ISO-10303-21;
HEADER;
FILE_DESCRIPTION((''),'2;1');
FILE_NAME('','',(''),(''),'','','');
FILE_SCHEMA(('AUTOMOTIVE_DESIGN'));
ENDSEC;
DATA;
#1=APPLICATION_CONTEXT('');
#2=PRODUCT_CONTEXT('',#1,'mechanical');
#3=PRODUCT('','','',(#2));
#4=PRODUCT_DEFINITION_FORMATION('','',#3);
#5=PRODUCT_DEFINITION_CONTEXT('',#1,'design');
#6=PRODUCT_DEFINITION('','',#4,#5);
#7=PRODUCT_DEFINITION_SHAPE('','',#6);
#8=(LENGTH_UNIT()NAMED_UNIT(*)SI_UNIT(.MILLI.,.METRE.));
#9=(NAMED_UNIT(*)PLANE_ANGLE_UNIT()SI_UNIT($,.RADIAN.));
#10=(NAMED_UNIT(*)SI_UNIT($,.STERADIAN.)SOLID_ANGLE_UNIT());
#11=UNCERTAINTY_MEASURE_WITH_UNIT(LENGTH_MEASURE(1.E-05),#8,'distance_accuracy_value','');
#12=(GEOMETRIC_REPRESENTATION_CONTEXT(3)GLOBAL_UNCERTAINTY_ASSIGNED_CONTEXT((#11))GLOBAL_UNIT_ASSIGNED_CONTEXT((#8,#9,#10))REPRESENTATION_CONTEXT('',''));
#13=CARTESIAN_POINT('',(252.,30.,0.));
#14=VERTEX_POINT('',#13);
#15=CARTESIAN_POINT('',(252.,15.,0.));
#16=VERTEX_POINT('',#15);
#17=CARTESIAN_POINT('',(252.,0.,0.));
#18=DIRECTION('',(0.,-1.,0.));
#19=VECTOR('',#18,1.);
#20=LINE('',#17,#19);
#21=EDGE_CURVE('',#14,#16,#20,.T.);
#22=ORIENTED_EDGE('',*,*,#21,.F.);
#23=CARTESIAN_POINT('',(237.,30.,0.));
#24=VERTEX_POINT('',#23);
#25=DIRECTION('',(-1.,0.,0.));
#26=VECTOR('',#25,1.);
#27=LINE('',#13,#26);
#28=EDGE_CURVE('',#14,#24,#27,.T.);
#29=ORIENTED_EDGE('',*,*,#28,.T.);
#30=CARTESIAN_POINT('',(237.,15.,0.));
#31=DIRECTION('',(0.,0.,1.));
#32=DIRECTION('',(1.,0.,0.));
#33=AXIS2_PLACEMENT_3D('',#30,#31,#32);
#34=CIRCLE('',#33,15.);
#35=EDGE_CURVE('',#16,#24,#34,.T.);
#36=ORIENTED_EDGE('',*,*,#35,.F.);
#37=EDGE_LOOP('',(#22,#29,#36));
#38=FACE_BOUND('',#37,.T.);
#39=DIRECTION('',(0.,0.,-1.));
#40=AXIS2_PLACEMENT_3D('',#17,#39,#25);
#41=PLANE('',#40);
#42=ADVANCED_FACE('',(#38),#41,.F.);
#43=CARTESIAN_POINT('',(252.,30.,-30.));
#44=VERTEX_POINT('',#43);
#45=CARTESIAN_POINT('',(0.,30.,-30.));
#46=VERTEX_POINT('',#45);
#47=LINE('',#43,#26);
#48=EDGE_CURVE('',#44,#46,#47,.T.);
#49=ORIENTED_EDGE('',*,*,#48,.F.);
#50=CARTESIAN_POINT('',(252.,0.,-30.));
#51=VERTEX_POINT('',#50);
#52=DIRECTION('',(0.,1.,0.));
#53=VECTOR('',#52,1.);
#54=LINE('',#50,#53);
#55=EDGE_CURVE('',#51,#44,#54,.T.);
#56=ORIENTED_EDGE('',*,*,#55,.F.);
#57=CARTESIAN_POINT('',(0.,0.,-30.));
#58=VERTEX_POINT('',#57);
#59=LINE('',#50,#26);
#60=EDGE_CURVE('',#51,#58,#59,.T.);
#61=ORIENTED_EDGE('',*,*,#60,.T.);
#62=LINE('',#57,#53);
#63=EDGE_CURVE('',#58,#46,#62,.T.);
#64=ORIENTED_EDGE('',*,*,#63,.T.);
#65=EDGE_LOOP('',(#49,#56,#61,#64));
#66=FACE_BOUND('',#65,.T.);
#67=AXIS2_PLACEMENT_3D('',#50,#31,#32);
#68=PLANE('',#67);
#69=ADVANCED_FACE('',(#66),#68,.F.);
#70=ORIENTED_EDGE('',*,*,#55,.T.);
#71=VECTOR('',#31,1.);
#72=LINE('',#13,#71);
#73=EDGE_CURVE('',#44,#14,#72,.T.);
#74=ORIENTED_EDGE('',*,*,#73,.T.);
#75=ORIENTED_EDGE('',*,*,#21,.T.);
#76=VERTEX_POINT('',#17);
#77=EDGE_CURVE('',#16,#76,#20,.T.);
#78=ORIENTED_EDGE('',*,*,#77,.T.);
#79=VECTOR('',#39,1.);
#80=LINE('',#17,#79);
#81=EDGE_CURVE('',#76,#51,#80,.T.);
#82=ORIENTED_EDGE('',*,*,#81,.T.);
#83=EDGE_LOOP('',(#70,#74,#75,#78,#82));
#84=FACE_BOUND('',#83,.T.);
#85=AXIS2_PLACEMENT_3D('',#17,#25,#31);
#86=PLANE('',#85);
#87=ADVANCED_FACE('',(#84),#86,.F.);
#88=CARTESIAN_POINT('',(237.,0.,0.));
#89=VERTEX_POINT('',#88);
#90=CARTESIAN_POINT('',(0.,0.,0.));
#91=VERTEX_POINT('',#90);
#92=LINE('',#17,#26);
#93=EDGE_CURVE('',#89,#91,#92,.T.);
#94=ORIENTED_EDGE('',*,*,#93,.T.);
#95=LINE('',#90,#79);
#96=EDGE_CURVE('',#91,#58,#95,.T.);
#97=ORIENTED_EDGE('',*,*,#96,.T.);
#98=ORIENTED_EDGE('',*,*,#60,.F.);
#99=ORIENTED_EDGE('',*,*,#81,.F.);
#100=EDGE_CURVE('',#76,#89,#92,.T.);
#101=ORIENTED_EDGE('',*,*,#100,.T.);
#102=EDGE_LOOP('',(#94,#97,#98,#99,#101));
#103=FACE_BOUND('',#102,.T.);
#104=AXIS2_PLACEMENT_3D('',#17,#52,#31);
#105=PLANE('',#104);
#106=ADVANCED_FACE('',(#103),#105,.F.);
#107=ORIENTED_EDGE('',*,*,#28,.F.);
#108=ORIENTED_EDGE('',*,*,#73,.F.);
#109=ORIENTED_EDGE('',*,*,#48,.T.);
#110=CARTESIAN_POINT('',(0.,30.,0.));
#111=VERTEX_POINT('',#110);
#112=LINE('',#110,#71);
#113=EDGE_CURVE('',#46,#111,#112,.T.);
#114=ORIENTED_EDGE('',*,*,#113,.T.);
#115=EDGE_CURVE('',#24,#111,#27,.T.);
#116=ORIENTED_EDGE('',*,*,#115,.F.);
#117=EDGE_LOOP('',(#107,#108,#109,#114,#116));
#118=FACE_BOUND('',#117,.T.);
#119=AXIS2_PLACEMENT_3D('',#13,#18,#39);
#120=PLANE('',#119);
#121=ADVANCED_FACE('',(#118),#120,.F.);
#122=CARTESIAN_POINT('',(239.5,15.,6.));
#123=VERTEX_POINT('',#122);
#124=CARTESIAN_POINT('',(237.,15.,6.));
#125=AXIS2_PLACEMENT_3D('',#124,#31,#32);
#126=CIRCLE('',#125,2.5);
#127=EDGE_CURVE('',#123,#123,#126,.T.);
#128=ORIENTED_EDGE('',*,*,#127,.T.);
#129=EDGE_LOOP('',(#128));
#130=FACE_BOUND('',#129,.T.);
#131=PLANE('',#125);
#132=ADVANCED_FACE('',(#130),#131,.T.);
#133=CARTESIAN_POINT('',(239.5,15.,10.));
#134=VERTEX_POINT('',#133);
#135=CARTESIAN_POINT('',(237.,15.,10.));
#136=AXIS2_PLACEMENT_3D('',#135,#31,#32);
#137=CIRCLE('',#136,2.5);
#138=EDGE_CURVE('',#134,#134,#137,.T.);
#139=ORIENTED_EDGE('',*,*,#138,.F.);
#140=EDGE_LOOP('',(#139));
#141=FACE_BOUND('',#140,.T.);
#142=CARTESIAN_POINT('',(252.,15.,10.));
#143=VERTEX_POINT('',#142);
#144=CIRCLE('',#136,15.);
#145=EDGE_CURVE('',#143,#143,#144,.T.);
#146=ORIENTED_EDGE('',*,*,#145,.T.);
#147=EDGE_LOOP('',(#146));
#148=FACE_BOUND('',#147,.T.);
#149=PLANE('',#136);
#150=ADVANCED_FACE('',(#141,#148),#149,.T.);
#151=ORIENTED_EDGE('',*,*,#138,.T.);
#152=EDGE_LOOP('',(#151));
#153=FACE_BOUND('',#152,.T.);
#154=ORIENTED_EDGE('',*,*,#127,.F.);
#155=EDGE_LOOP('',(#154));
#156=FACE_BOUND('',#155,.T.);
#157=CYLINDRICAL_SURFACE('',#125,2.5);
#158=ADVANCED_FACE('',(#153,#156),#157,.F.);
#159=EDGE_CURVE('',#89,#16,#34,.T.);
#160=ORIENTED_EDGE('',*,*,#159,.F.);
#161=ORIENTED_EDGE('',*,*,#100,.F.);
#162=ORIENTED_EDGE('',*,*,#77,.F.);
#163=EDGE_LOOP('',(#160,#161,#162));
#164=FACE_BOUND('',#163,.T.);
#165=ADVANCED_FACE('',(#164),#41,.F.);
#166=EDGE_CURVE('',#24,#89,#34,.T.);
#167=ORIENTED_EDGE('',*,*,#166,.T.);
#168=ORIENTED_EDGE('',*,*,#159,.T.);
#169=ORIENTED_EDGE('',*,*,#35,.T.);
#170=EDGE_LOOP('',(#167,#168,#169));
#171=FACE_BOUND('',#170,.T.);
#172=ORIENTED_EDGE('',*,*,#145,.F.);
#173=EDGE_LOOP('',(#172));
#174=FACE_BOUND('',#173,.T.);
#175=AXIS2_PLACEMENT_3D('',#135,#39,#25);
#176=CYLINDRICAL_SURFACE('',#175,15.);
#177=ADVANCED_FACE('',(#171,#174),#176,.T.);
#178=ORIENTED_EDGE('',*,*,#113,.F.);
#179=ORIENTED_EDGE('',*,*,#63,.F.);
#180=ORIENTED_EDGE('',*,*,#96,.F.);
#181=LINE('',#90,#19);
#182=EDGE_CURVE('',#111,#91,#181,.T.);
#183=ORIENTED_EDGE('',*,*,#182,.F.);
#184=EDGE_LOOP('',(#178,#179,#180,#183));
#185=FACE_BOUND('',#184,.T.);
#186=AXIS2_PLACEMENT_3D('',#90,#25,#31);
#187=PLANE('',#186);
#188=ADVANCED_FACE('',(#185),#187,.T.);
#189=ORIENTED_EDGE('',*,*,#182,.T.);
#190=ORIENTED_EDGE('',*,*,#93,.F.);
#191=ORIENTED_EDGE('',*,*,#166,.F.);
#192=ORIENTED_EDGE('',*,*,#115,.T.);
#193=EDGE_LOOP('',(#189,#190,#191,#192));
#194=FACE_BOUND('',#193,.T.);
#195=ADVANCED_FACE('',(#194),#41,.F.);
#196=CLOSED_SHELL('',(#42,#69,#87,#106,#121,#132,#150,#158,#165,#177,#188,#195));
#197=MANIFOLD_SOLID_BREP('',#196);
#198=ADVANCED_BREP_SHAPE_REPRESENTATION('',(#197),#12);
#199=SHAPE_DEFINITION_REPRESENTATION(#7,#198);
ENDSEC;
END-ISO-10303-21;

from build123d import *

# Parameters (mm, degrees)
SKETCH2_W           = 30
SKETCH2_H           = 30
BOSS_EXTRUDE1_DEPTH = 252
SKETCH3_R           = 15
BOSS_EXTRUDE2_DEPTH = 10
SKETCH4_R           = 2.5
CUT_EXTRUDE1_DEPTH  = 4


with BuildPart() as part:
    # Sketch2 → Boss-Extrude1 (new body)
    with BuildSketch(Plane(origin=(0, 0, 0), x_dir=(0, 0, -1), z_dir=(1, 0, 0))):
        with Locations((15, 15)):
            Rectangle(SKETCH2_W, SKETCH2_H)
    extrude(amount=BOSS_EXTRUDE1_DEPTH)

    # Sketch3 → Boss-Extrude2 (add)
    with BuildSketch(Plane.XY):
        with Locations((237, 15)):
            Circle(SKETCH3_R)
    extrude(amount=BOSS_EXTRUDE2_DEPTH)

    # Sketch4 → Cut-Extrude1 (cut)
    with BuildSketch(Plane.XY.offset(10)):
        with Locations((237, 15)):
            Circle(SKETCH4_R)
    extrude(amount=-CUT_EXTRUDE1_DEPTH, mode=Mode.SUBTRACT)


solid = part.part
